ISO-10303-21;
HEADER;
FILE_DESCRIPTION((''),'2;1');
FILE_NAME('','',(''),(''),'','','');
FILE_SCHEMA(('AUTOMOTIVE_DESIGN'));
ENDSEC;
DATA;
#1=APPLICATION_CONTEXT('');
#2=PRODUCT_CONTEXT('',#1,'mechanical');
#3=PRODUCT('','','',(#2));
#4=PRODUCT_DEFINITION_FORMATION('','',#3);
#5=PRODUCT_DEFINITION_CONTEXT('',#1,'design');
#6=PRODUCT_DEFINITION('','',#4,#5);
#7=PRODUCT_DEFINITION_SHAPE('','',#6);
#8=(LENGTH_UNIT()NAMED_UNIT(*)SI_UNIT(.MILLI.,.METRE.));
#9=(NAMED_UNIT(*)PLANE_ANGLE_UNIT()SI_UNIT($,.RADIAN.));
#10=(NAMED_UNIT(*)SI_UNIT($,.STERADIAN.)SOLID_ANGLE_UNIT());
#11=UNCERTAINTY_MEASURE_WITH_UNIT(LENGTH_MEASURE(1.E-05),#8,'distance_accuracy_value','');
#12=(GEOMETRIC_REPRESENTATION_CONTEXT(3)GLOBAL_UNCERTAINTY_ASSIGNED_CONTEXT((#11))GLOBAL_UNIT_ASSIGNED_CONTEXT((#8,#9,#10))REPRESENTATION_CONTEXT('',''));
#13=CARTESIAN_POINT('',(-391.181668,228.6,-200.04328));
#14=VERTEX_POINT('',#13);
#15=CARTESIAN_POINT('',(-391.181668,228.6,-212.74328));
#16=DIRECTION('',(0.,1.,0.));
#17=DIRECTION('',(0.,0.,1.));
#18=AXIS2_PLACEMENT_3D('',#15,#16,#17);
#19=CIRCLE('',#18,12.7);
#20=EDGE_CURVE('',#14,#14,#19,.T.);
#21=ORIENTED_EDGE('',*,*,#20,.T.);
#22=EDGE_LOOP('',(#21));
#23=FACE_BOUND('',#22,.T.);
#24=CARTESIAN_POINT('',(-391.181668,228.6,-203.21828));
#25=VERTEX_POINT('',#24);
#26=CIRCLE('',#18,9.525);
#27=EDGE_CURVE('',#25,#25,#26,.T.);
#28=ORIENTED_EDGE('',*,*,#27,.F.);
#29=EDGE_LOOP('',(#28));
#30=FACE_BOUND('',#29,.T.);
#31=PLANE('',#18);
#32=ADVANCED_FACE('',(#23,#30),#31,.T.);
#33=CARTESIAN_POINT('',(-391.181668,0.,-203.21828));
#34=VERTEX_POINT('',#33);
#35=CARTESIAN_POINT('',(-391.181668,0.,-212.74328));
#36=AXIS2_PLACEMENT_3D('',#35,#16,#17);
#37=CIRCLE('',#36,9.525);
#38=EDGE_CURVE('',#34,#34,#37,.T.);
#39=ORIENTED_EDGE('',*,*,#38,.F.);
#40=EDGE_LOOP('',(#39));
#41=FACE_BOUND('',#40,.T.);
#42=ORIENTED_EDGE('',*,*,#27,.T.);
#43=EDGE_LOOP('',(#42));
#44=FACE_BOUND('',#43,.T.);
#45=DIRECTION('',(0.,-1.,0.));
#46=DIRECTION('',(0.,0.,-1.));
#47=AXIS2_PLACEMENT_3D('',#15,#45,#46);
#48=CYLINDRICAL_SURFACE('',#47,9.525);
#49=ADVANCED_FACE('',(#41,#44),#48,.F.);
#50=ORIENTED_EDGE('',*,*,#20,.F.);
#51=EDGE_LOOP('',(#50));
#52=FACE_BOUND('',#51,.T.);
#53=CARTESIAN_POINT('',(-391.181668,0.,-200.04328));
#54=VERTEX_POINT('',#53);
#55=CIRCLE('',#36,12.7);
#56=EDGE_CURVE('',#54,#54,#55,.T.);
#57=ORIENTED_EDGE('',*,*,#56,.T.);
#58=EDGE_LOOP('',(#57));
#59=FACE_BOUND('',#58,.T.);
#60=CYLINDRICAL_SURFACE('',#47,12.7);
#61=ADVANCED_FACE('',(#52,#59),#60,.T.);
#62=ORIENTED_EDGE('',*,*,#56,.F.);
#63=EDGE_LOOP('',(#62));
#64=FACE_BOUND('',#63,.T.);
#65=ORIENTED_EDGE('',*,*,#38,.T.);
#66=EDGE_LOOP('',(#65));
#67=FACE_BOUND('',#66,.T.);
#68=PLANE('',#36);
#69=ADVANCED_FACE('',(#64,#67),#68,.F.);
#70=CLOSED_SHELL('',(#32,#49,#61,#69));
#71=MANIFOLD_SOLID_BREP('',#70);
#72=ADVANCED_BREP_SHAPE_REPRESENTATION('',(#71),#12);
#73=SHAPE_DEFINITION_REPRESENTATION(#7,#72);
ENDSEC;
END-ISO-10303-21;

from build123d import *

# Parameters (mm, degrees)
SKETCH1_R           = 12.7
SKETCH1_R_2         = 9.525
BOSS_EXTRUDE2_DEPTH = 228.6


with BuildPart() as part:
    # Sketch1 → Boss-Extrude2 (new body)
    with BuildSketch(Plane(origin=(0, 0, 0), x_dir=(1, 0, 0), z_dir=(0, 1, 0))):
        with Locations((-391.181668083, 212.743279788)):
            Circle(SKETCH1_R)
        with Locations((-391.181668083, 212.743279788)):
            Circle(SKETCH1_R_2, mode=Mode.SUBTRACT)
    extrude(amount=BOSS_EXTRUDE2_DEPTH)


solid = part.part
